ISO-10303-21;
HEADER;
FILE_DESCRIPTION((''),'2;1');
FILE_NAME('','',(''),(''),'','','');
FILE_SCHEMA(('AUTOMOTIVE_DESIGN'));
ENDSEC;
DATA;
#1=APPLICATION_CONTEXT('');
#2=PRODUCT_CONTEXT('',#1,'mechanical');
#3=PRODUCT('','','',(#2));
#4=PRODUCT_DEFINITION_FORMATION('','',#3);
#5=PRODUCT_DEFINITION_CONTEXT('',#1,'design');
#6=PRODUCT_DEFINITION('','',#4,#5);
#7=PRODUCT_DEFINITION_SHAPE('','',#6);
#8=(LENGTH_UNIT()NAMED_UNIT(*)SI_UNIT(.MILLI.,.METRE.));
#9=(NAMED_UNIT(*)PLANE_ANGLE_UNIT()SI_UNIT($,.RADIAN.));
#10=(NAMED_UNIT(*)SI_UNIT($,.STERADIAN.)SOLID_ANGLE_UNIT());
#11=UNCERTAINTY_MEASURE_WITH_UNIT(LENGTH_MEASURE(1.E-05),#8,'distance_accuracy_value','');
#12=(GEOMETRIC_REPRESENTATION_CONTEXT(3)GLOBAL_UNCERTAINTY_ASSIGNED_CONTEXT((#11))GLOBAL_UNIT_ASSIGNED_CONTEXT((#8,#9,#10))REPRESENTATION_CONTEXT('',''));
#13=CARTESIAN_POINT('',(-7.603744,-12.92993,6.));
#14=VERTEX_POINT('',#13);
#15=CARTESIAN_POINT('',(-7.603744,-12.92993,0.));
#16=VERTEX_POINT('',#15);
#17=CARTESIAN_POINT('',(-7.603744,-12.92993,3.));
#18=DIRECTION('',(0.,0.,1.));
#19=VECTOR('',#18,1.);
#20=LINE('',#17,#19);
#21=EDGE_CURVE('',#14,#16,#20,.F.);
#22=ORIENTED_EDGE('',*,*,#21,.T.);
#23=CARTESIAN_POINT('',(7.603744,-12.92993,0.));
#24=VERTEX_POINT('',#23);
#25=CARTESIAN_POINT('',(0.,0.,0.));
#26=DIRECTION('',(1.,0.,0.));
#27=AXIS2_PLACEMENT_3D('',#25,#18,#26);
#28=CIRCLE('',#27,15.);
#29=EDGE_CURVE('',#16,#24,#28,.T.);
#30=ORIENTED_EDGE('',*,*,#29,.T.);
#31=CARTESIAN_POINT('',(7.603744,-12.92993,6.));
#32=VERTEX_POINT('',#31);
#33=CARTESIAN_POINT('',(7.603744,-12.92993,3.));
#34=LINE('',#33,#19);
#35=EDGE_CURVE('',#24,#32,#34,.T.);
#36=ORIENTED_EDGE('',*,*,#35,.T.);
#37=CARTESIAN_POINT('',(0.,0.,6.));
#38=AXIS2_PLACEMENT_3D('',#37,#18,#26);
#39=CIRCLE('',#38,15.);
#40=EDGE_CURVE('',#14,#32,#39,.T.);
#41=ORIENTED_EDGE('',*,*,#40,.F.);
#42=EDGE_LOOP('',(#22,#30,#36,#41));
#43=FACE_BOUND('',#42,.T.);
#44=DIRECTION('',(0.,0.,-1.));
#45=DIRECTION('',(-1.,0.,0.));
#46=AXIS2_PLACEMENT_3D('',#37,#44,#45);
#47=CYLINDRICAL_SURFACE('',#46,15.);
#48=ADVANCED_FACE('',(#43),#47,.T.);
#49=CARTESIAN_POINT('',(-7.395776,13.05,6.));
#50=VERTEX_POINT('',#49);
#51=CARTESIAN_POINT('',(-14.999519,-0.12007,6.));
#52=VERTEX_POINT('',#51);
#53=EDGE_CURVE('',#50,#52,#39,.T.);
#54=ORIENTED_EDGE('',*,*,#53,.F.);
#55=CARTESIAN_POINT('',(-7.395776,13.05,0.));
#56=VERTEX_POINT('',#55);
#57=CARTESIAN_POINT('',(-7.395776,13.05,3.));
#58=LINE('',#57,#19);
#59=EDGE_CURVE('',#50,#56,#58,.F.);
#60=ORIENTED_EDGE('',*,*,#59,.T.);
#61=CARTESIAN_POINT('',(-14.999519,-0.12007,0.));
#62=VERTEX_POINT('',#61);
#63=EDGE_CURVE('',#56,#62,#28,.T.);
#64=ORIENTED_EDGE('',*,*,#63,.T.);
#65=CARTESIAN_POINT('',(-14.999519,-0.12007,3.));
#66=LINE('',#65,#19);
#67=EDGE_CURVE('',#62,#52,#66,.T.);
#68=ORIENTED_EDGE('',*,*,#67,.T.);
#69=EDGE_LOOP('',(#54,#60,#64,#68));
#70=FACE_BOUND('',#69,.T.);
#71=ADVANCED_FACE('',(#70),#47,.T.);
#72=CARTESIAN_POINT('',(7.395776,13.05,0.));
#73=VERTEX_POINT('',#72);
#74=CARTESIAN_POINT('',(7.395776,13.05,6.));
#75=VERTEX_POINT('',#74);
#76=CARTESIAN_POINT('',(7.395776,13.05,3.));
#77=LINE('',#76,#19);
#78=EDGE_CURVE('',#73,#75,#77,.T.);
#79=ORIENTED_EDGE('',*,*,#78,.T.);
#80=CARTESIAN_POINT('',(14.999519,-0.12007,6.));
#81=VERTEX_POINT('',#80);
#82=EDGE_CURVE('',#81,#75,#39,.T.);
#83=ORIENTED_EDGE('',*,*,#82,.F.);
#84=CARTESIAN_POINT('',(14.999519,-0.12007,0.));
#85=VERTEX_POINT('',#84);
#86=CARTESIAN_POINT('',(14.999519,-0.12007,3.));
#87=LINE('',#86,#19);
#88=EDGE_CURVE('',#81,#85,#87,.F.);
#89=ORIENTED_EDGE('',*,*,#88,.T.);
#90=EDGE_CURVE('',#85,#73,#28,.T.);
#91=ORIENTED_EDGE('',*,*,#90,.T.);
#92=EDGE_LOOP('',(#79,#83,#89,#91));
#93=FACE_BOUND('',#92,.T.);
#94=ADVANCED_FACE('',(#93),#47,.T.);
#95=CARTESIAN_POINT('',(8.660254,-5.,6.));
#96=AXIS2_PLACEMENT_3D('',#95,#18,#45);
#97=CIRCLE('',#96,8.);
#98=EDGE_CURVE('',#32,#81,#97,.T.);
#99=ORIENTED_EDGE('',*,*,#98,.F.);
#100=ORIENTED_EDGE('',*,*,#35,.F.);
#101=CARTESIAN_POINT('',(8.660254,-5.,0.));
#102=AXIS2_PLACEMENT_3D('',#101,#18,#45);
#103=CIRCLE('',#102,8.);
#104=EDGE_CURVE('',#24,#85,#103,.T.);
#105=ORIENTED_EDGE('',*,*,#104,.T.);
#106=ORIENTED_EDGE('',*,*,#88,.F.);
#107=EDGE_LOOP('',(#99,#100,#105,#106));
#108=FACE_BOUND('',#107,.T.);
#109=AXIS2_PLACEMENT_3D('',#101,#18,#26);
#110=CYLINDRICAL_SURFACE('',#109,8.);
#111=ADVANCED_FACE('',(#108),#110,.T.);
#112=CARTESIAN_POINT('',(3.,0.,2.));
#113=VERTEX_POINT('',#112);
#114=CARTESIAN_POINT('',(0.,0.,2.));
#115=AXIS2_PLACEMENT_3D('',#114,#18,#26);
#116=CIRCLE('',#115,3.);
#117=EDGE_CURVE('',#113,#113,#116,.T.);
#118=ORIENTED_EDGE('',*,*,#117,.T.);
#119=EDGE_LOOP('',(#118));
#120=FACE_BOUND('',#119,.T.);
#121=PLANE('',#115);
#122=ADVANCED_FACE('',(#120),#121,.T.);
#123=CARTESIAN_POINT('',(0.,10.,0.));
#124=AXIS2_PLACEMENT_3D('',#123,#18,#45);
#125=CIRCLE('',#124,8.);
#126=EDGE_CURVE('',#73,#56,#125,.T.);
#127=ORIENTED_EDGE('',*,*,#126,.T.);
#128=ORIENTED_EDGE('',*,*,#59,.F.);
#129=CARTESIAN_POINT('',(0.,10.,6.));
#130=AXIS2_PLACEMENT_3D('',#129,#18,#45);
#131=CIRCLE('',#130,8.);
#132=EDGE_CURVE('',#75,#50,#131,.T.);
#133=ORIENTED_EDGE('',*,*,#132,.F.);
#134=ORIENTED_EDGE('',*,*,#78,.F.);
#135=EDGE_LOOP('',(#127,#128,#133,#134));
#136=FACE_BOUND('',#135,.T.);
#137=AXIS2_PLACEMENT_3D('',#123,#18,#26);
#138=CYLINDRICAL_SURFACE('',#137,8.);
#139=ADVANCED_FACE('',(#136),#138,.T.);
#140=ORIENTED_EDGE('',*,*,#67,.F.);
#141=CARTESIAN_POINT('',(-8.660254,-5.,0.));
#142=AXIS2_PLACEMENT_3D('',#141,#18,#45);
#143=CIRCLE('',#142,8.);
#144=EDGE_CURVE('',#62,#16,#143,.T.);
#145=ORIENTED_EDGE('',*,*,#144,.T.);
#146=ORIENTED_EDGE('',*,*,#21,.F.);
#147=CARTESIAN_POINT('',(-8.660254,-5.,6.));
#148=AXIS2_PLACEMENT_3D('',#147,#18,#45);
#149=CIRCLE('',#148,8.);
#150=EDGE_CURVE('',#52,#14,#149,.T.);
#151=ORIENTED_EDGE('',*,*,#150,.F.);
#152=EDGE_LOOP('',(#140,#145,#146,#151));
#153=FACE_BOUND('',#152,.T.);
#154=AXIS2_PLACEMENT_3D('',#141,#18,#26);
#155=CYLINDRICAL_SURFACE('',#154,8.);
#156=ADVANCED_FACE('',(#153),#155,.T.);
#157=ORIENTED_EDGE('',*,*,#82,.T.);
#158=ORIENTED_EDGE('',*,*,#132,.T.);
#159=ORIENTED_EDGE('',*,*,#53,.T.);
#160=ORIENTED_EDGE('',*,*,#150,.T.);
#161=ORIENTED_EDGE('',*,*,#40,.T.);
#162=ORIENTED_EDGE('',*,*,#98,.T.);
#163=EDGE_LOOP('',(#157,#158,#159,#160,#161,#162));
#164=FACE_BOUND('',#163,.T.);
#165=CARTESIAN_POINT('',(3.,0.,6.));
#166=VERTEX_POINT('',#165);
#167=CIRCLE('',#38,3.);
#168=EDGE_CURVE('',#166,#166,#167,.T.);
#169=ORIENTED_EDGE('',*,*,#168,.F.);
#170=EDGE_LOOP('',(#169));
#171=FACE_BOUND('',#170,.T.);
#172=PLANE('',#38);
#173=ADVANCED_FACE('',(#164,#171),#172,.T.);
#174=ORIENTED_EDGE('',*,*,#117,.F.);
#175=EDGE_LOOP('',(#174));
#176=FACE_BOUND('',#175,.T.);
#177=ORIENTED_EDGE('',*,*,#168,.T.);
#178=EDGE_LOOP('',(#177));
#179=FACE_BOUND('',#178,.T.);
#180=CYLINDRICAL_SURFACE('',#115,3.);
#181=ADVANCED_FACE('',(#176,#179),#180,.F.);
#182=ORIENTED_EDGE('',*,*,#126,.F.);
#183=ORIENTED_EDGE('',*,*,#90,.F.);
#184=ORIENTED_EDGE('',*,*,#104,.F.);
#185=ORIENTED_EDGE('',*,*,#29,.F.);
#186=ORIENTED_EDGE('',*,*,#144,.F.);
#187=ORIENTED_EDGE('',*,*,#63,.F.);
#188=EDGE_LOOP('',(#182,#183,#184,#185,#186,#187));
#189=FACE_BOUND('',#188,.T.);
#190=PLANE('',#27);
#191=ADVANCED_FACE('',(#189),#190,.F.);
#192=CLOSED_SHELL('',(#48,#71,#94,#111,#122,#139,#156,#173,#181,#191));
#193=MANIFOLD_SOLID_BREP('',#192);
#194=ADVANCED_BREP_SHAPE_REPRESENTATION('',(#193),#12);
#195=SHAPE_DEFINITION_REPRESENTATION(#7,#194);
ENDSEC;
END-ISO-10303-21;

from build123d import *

# Parameters (mm, degrees)
ESQUISSE1_R             = 15
EXTRUSION1_DEPTH        = 6
ESQUISSE2_R             = 3
ENL_V_MAT_EXTRU_1_DEPTH = 4
EXTRUSION2_DEPTH        = 6


with BuildPart() as part:
    # Esquisse1 → Extrusion1 (new body)
    with BuildSketch(Plane.XY):
        Circle(ESQUISSE1_R)
    extrude(amount=EXTRUSION1_DEPTH)

    # Esquisse2 → Enlèv. mat.-Extru.1 (cut)
    with BuildSketch(Plane.XY.offset(6)):
        Circle(ESQUISSE2_R)
    extrude(amount=-ENL_V_MAT_EXTRU_1_DEPTH, mode=Mode.SUBTRACT)

    # Esquisse3 → Extrusion2 (add)
    with BuildSketch(Plane.XY.offset(6)):
        with BuildLine():
            Line((-8, 10), (8, 10))
            ThreePointArc((8, 10), (0, 18), (-8, 10))
        make_face()
        with BuildLine():
            Line((12.660254038, 1.92820323), (4.660254038, -11.92820323))
            ThreePointArc((4.660254038, -11.92820323), (15.588457268, -9), (12.660254038, 1.92820323))
        make_face()
        with BuildLine():
            Line((-4.660254038, -11.92820323), (-12.660254038, 1.92820323))
            ThreePointArc((-12.660254038, 1.92820323), (-15.588457268, -9), (-4.660254038, -11.92820323))
        make_face()
    extrude(amount=-EXTRUSION2_DEPTH)


solid = part.part
